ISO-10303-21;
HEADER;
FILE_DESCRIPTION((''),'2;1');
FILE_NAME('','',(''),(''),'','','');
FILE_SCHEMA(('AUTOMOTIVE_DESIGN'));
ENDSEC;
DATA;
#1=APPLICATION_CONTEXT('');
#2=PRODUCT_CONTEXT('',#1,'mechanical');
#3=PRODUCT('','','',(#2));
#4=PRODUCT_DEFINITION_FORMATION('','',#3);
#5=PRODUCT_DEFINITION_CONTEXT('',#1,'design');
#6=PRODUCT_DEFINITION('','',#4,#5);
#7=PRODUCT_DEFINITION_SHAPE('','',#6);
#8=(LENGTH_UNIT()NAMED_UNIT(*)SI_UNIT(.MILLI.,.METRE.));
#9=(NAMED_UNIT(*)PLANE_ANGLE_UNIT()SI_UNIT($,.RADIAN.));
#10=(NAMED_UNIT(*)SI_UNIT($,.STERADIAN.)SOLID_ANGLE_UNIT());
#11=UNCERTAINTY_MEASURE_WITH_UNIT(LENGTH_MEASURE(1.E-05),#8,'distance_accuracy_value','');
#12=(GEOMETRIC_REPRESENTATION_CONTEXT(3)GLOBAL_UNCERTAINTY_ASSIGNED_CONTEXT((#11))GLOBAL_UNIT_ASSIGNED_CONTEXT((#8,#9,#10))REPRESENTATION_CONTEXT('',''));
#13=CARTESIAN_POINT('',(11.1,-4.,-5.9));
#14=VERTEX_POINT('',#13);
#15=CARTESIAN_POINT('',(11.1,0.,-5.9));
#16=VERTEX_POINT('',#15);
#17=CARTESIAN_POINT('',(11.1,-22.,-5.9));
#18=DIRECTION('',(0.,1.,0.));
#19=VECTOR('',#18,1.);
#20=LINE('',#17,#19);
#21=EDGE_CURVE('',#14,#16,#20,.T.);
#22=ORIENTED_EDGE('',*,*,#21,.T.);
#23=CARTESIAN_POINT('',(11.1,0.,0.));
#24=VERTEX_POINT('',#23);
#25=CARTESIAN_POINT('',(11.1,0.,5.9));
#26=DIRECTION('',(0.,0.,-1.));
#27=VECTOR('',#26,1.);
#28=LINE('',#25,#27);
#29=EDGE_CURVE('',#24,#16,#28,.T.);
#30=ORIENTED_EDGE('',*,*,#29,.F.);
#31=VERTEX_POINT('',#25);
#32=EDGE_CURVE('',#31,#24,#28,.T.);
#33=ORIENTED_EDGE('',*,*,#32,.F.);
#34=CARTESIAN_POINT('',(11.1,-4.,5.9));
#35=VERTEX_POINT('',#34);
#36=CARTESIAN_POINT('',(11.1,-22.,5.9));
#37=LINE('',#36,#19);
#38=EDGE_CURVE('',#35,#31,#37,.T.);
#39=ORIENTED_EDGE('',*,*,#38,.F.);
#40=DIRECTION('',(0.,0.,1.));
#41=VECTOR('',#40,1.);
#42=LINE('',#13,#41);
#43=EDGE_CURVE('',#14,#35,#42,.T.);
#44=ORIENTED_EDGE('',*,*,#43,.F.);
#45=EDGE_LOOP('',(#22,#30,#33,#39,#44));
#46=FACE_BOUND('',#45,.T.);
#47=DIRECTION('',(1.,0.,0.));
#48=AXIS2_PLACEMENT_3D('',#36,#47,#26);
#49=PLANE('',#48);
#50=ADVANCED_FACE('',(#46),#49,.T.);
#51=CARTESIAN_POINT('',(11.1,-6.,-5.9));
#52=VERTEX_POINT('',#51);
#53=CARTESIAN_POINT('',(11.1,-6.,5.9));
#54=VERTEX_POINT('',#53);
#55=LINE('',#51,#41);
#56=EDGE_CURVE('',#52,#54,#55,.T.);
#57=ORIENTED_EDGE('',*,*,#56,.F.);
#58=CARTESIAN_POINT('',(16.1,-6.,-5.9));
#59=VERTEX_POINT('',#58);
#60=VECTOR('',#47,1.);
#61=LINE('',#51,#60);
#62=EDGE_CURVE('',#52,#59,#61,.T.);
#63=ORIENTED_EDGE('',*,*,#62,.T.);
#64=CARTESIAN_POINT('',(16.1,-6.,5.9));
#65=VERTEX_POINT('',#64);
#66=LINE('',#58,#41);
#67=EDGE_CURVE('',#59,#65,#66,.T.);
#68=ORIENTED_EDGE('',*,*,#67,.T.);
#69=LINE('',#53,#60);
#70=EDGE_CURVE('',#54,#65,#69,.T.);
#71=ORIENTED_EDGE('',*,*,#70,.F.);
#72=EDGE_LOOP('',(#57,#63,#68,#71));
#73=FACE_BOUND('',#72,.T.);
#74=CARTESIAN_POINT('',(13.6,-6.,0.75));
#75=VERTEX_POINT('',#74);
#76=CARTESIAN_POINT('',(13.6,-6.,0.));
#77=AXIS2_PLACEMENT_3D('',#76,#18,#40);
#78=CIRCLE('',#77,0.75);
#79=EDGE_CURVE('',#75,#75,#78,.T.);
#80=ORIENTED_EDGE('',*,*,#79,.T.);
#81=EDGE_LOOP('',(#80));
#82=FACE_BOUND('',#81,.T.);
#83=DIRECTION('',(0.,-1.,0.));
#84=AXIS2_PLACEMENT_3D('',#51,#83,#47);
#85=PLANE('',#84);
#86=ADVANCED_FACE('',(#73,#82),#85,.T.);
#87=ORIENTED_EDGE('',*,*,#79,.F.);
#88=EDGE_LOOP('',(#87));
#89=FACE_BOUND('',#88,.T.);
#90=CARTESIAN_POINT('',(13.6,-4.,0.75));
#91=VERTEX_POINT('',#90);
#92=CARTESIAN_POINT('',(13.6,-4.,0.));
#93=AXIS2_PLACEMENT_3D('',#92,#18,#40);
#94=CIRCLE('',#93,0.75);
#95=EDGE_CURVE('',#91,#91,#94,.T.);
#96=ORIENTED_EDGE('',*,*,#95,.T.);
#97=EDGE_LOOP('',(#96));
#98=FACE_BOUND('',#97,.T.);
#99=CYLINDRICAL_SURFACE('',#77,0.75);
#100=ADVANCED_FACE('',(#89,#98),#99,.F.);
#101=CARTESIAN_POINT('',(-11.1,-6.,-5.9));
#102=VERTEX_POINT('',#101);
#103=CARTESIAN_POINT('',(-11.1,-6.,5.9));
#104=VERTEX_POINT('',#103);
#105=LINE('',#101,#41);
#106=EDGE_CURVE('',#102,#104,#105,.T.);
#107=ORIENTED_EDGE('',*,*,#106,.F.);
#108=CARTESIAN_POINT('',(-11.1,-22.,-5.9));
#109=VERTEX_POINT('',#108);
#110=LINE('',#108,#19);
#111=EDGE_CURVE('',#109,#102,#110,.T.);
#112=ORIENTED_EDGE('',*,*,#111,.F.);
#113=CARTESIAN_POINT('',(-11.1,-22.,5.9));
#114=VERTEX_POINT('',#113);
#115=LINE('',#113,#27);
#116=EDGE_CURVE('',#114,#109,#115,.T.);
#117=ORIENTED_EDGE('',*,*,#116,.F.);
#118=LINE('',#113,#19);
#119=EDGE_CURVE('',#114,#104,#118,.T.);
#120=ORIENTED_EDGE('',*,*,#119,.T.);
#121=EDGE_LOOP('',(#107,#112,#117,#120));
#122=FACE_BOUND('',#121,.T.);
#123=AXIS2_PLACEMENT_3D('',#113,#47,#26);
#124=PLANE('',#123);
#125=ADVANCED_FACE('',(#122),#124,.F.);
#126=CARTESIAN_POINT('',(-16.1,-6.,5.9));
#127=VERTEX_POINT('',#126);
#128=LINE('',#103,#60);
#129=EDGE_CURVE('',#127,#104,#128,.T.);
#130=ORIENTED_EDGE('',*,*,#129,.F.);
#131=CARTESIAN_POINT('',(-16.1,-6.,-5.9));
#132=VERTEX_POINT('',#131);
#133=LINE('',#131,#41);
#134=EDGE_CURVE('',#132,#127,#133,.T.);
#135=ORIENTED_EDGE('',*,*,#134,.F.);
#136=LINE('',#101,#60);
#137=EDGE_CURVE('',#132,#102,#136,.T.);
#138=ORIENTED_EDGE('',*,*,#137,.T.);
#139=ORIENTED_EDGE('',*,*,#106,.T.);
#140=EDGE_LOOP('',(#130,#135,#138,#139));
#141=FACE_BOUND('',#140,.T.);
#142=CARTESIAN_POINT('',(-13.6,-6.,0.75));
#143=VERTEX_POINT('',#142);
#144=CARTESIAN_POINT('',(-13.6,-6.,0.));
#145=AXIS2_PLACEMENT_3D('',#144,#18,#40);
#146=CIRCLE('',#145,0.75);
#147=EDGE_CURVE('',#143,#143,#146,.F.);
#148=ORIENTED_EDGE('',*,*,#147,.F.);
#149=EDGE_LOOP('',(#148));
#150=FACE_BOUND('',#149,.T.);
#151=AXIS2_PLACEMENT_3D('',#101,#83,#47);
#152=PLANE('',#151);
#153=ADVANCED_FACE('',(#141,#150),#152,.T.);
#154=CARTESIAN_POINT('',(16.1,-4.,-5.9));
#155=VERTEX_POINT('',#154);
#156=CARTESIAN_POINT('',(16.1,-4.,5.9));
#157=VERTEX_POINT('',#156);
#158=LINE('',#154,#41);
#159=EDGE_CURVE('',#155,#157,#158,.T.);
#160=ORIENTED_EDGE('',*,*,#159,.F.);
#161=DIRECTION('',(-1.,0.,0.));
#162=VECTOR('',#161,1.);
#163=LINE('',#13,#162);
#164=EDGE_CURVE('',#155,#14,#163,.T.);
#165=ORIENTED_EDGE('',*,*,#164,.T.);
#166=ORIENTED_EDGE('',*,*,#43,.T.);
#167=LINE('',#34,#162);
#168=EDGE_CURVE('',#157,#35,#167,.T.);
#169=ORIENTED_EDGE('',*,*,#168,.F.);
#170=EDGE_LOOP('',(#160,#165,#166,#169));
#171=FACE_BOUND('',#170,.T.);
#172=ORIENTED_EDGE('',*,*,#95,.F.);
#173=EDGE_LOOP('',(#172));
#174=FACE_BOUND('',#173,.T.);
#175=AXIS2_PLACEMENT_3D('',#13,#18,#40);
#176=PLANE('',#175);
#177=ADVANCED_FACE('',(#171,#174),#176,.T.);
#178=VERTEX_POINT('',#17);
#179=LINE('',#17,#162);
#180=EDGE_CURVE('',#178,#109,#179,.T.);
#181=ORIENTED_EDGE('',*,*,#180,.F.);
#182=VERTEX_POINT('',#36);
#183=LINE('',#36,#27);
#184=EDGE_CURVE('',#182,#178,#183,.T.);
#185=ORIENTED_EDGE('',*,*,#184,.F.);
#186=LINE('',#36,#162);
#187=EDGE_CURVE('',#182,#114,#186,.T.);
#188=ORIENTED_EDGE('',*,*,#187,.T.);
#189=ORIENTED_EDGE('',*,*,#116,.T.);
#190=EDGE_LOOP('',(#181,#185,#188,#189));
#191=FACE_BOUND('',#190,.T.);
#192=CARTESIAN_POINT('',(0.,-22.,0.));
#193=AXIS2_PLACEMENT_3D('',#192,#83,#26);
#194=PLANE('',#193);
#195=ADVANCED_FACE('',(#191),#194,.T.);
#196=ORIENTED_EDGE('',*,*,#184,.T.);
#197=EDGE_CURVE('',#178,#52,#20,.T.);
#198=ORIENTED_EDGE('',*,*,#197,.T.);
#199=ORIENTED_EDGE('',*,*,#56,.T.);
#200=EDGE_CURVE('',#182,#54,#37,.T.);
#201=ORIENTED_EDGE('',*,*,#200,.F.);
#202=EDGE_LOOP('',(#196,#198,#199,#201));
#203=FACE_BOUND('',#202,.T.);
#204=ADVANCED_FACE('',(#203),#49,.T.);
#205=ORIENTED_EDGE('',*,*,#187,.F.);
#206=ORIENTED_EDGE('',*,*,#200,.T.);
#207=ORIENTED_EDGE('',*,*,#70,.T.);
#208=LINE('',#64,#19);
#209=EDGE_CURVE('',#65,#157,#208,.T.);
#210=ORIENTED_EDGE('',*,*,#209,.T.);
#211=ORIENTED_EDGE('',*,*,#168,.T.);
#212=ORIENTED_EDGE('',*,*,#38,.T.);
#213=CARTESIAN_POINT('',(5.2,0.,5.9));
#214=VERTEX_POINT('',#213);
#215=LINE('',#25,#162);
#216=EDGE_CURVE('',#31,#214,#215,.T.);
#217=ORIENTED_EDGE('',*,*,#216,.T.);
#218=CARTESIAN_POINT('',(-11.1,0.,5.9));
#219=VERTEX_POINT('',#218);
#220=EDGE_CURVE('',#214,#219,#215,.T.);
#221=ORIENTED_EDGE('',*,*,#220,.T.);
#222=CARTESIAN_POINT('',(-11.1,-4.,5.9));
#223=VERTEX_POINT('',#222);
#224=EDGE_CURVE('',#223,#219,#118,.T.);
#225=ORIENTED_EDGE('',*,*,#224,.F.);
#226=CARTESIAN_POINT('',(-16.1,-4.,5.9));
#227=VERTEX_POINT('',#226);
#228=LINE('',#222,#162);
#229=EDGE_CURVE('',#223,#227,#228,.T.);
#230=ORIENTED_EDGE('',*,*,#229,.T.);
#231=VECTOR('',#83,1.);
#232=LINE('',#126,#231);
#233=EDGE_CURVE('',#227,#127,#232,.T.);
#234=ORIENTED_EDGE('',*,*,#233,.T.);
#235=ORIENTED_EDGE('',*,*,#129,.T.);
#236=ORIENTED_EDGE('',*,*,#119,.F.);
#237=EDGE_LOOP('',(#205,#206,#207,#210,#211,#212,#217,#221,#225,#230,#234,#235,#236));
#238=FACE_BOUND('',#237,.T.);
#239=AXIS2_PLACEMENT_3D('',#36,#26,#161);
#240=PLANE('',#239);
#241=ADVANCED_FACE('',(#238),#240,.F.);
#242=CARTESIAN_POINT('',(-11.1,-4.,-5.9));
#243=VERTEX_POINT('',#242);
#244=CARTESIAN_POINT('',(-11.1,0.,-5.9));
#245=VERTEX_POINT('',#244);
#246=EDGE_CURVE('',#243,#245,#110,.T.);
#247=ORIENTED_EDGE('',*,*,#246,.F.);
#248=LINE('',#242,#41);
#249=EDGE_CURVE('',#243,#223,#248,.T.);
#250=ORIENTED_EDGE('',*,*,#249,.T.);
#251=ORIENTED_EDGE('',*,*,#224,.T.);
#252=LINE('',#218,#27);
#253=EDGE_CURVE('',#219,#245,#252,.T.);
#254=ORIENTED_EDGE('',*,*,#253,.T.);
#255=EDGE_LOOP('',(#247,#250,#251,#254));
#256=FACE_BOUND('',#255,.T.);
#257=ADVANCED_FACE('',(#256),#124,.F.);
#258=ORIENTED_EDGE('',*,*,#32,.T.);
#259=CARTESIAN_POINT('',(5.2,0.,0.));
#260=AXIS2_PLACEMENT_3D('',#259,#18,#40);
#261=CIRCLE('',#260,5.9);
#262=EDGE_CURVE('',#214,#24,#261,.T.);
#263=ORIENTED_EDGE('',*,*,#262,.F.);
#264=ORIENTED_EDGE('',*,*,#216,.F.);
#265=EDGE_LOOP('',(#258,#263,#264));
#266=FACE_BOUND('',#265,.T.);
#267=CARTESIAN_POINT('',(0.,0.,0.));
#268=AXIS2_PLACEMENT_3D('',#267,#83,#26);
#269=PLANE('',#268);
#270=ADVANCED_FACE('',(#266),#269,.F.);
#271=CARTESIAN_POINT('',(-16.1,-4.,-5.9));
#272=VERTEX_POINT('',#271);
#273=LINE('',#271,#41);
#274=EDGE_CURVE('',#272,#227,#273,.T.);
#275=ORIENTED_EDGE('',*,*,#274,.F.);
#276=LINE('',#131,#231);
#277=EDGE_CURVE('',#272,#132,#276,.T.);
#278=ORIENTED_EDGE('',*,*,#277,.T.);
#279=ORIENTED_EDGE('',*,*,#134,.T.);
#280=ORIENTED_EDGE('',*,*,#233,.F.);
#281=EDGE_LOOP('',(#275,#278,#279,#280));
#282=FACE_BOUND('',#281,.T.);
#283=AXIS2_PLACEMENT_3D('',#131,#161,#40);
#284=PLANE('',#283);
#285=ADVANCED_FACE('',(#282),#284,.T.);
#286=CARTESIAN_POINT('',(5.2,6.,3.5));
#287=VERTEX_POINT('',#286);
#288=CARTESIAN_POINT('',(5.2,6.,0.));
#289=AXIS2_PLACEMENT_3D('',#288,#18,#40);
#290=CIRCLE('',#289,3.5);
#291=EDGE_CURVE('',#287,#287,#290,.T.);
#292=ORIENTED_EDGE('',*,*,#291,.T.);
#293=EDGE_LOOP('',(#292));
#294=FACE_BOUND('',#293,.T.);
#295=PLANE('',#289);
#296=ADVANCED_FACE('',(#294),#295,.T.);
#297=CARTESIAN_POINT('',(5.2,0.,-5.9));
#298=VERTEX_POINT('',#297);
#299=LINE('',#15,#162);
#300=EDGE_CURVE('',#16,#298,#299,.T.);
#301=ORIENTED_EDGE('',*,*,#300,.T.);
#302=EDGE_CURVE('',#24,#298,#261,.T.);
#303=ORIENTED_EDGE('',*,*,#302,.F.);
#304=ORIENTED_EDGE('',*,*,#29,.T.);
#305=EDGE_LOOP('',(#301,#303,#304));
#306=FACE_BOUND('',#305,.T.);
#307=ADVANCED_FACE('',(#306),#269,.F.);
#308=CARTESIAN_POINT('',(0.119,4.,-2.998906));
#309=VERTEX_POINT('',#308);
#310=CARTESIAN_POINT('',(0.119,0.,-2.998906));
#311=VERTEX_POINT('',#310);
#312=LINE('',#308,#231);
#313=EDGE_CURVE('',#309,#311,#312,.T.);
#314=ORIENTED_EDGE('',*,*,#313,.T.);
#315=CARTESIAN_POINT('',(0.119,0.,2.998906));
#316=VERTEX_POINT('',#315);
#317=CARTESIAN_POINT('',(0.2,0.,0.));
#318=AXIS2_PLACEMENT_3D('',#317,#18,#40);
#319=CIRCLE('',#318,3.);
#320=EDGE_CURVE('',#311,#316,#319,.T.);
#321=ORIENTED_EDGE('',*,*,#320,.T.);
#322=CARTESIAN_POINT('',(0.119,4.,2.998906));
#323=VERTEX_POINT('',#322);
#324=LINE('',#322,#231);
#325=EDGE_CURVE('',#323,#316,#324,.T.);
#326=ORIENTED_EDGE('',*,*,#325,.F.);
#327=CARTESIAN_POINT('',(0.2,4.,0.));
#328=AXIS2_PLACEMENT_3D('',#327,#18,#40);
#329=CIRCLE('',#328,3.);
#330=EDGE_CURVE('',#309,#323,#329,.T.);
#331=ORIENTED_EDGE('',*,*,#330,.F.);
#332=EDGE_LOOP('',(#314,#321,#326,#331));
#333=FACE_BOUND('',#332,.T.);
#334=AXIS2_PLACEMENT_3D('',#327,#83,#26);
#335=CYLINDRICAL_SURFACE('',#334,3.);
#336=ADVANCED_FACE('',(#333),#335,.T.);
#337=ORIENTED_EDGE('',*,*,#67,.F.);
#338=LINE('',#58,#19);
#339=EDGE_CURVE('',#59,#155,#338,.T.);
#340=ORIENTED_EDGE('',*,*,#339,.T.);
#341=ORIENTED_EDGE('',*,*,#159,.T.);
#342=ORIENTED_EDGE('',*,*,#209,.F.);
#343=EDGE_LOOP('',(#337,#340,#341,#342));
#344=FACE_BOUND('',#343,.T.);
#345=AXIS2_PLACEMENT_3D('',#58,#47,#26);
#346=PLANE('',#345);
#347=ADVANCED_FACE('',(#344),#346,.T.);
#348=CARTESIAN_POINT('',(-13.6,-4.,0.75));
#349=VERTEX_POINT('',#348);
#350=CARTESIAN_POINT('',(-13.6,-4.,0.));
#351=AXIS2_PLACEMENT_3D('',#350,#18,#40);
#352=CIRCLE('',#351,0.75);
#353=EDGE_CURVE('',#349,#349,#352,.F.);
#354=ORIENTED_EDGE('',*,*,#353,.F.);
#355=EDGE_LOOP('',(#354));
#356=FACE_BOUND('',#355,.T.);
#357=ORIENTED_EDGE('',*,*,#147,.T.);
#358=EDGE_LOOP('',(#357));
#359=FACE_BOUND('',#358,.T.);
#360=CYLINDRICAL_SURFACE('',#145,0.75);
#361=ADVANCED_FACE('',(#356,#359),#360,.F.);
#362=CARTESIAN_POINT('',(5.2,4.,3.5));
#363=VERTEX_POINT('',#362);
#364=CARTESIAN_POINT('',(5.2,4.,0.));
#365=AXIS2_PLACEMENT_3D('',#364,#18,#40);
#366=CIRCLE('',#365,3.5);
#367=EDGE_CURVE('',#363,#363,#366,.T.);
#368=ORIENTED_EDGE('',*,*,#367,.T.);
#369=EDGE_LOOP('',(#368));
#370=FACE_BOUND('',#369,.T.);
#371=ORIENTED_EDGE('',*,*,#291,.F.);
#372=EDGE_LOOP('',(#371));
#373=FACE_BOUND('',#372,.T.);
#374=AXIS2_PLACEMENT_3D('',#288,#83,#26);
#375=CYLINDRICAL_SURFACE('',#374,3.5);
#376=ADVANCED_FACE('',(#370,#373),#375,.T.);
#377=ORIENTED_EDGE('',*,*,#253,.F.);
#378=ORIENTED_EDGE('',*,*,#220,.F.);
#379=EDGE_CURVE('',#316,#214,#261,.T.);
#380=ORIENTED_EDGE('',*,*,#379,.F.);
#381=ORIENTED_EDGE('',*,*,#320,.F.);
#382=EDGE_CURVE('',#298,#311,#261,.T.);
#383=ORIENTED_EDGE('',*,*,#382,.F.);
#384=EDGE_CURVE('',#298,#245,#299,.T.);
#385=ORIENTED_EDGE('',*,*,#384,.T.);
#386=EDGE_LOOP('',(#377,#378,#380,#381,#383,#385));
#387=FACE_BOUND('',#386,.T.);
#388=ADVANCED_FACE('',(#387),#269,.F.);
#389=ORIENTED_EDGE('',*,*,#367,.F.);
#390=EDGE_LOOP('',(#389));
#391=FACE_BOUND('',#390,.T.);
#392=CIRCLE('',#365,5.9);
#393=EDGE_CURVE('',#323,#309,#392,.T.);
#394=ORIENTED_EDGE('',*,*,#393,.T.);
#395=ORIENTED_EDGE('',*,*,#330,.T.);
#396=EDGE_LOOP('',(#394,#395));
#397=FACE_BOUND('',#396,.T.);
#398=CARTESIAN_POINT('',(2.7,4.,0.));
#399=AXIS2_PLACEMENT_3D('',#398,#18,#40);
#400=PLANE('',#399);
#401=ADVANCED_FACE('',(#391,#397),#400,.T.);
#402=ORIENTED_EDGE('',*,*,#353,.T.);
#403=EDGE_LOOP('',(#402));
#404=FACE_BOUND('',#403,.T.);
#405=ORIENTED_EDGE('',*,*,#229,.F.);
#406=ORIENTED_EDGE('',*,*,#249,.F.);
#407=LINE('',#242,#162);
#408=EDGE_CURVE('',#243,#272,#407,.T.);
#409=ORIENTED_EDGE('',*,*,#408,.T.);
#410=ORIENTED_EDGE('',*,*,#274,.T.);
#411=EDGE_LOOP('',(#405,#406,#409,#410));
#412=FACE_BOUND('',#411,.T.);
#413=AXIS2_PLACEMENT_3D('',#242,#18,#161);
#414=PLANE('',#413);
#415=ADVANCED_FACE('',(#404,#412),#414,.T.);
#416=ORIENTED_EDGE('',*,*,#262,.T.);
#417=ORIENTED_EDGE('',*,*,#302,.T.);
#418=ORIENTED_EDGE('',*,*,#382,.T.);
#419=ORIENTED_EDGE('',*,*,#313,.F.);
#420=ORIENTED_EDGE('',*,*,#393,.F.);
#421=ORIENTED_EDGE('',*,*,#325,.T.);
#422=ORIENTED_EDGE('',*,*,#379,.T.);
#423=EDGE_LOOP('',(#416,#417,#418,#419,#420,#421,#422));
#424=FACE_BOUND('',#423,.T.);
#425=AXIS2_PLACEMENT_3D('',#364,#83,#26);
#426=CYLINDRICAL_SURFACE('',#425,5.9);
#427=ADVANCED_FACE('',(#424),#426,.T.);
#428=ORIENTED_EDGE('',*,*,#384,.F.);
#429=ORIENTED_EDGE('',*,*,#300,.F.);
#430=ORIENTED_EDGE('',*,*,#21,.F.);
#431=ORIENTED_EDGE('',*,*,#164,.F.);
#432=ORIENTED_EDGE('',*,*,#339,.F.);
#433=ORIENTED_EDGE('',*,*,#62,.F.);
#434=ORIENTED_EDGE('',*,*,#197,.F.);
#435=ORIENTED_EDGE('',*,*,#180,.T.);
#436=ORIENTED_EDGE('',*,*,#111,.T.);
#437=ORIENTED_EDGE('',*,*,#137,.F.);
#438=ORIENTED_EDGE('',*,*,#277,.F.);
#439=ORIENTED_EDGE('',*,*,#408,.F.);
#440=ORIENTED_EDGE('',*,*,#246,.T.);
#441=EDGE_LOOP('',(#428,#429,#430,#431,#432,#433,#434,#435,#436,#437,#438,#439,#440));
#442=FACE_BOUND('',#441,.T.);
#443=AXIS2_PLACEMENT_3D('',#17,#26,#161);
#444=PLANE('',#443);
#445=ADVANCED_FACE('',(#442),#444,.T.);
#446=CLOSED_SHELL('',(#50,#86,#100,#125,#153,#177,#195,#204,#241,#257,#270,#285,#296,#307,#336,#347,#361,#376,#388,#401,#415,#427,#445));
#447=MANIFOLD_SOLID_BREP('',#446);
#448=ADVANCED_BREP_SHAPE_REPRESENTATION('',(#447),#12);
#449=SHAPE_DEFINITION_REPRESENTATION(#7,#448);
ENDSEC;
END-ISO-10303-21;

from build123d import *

# Parameters (mm, degrees)
SKETCH1_W           = 22.2
SKETCH1_H           = 11.8
BOSS_EXTRUDE1_DEPTH = 22
SKETCH2_W           = 5
SKETCH2_H           = 2
BOSS_EXTRUDE2_DEPTH = 11.8
BOSS_EXTRUDE3_DEPTH = 4
SKETCH5_R           = 3.5
BOSS_EXTRUDE5_DEPTH = 2
SKETCH6_R           = 0.75
CUT_EXTRUDE2_DEPTH  = 2


with BuildPart() as part:
    # Sketch1 → Boss-Extrude1 (new body)
    with BuildSketch(Plane(origin=(0, 0, 0), x_dir=(1, 0, 0), z_dir=(0, 1, 0))):
        Rectangle(SKETCH1_W, SKETCH1_H)
    extrude(amount=-BOSS_EXTRUDE1_DEPTH)

    # Sketch2 → Boss-Extrude2 (add)
    with BuildSketch(Plane.XY.offset(5.9)):
        with Locations((13.6, -5)):
            Rectangle(SKETCH2_W, SKETCH2_H)
        with Locations((-13.6, -5)):
            Rectangle(SKETCH2_W, SKETCH2_H)
    extrude(amount=-BOSS_EXTRUDE2_DEPTH)

    # Sketch4 → Boss-Extrude3 (add)
    with BuildSketch(Plane(origin=(0, 0, 0), x_dir=(1, 0, 0), z_dir=(0, 1, 0))):
        with BuildLine():
            ThreePointArc((0.119, -2.998906301), (11.1, 0), (0.119, 2.998906301))
            ThreePointArc((0.119, 2.998906301), (-2.8, 0), (0.119, -2.998906301))
        make_face()
    extrude(amount=BOSS_EXTRUDE3_DEPTH)

    # Sketch5 → Boss-Extrude5 (add)
    with BuildSketch(Plane(origin=(0, 4, 0), x_dir=(1, 0, 0), z_dir=(0, 1, 0))):
        with Locations(Location((5.2, 0, 0), (0, 0, 270))):
            Circle(SKETCH5_R)
    extrude(amount=BOSS_EXTRUDE5_DEPTH)

    # Sketch6 → Cut-Extrude2 (cut)
    with BuildSketch(Plane(origin=(0, -4, 0), x_dir=(1, 0, 0), z_dir=(0, 1, 0))):
        with Locations(Location((-13.6, 0, 0), (0, 0, 270))):
            Circle(SKETCH6_R)
        with Locations(Location((13.6, 0, 0), (0, 0, 270))):
            Circle(SKETCH6_R)
    extrude(amount=-CUT_EXTRUDE2_DEPTH, mode=Mode.SUBTRACT)


solid = part.part
